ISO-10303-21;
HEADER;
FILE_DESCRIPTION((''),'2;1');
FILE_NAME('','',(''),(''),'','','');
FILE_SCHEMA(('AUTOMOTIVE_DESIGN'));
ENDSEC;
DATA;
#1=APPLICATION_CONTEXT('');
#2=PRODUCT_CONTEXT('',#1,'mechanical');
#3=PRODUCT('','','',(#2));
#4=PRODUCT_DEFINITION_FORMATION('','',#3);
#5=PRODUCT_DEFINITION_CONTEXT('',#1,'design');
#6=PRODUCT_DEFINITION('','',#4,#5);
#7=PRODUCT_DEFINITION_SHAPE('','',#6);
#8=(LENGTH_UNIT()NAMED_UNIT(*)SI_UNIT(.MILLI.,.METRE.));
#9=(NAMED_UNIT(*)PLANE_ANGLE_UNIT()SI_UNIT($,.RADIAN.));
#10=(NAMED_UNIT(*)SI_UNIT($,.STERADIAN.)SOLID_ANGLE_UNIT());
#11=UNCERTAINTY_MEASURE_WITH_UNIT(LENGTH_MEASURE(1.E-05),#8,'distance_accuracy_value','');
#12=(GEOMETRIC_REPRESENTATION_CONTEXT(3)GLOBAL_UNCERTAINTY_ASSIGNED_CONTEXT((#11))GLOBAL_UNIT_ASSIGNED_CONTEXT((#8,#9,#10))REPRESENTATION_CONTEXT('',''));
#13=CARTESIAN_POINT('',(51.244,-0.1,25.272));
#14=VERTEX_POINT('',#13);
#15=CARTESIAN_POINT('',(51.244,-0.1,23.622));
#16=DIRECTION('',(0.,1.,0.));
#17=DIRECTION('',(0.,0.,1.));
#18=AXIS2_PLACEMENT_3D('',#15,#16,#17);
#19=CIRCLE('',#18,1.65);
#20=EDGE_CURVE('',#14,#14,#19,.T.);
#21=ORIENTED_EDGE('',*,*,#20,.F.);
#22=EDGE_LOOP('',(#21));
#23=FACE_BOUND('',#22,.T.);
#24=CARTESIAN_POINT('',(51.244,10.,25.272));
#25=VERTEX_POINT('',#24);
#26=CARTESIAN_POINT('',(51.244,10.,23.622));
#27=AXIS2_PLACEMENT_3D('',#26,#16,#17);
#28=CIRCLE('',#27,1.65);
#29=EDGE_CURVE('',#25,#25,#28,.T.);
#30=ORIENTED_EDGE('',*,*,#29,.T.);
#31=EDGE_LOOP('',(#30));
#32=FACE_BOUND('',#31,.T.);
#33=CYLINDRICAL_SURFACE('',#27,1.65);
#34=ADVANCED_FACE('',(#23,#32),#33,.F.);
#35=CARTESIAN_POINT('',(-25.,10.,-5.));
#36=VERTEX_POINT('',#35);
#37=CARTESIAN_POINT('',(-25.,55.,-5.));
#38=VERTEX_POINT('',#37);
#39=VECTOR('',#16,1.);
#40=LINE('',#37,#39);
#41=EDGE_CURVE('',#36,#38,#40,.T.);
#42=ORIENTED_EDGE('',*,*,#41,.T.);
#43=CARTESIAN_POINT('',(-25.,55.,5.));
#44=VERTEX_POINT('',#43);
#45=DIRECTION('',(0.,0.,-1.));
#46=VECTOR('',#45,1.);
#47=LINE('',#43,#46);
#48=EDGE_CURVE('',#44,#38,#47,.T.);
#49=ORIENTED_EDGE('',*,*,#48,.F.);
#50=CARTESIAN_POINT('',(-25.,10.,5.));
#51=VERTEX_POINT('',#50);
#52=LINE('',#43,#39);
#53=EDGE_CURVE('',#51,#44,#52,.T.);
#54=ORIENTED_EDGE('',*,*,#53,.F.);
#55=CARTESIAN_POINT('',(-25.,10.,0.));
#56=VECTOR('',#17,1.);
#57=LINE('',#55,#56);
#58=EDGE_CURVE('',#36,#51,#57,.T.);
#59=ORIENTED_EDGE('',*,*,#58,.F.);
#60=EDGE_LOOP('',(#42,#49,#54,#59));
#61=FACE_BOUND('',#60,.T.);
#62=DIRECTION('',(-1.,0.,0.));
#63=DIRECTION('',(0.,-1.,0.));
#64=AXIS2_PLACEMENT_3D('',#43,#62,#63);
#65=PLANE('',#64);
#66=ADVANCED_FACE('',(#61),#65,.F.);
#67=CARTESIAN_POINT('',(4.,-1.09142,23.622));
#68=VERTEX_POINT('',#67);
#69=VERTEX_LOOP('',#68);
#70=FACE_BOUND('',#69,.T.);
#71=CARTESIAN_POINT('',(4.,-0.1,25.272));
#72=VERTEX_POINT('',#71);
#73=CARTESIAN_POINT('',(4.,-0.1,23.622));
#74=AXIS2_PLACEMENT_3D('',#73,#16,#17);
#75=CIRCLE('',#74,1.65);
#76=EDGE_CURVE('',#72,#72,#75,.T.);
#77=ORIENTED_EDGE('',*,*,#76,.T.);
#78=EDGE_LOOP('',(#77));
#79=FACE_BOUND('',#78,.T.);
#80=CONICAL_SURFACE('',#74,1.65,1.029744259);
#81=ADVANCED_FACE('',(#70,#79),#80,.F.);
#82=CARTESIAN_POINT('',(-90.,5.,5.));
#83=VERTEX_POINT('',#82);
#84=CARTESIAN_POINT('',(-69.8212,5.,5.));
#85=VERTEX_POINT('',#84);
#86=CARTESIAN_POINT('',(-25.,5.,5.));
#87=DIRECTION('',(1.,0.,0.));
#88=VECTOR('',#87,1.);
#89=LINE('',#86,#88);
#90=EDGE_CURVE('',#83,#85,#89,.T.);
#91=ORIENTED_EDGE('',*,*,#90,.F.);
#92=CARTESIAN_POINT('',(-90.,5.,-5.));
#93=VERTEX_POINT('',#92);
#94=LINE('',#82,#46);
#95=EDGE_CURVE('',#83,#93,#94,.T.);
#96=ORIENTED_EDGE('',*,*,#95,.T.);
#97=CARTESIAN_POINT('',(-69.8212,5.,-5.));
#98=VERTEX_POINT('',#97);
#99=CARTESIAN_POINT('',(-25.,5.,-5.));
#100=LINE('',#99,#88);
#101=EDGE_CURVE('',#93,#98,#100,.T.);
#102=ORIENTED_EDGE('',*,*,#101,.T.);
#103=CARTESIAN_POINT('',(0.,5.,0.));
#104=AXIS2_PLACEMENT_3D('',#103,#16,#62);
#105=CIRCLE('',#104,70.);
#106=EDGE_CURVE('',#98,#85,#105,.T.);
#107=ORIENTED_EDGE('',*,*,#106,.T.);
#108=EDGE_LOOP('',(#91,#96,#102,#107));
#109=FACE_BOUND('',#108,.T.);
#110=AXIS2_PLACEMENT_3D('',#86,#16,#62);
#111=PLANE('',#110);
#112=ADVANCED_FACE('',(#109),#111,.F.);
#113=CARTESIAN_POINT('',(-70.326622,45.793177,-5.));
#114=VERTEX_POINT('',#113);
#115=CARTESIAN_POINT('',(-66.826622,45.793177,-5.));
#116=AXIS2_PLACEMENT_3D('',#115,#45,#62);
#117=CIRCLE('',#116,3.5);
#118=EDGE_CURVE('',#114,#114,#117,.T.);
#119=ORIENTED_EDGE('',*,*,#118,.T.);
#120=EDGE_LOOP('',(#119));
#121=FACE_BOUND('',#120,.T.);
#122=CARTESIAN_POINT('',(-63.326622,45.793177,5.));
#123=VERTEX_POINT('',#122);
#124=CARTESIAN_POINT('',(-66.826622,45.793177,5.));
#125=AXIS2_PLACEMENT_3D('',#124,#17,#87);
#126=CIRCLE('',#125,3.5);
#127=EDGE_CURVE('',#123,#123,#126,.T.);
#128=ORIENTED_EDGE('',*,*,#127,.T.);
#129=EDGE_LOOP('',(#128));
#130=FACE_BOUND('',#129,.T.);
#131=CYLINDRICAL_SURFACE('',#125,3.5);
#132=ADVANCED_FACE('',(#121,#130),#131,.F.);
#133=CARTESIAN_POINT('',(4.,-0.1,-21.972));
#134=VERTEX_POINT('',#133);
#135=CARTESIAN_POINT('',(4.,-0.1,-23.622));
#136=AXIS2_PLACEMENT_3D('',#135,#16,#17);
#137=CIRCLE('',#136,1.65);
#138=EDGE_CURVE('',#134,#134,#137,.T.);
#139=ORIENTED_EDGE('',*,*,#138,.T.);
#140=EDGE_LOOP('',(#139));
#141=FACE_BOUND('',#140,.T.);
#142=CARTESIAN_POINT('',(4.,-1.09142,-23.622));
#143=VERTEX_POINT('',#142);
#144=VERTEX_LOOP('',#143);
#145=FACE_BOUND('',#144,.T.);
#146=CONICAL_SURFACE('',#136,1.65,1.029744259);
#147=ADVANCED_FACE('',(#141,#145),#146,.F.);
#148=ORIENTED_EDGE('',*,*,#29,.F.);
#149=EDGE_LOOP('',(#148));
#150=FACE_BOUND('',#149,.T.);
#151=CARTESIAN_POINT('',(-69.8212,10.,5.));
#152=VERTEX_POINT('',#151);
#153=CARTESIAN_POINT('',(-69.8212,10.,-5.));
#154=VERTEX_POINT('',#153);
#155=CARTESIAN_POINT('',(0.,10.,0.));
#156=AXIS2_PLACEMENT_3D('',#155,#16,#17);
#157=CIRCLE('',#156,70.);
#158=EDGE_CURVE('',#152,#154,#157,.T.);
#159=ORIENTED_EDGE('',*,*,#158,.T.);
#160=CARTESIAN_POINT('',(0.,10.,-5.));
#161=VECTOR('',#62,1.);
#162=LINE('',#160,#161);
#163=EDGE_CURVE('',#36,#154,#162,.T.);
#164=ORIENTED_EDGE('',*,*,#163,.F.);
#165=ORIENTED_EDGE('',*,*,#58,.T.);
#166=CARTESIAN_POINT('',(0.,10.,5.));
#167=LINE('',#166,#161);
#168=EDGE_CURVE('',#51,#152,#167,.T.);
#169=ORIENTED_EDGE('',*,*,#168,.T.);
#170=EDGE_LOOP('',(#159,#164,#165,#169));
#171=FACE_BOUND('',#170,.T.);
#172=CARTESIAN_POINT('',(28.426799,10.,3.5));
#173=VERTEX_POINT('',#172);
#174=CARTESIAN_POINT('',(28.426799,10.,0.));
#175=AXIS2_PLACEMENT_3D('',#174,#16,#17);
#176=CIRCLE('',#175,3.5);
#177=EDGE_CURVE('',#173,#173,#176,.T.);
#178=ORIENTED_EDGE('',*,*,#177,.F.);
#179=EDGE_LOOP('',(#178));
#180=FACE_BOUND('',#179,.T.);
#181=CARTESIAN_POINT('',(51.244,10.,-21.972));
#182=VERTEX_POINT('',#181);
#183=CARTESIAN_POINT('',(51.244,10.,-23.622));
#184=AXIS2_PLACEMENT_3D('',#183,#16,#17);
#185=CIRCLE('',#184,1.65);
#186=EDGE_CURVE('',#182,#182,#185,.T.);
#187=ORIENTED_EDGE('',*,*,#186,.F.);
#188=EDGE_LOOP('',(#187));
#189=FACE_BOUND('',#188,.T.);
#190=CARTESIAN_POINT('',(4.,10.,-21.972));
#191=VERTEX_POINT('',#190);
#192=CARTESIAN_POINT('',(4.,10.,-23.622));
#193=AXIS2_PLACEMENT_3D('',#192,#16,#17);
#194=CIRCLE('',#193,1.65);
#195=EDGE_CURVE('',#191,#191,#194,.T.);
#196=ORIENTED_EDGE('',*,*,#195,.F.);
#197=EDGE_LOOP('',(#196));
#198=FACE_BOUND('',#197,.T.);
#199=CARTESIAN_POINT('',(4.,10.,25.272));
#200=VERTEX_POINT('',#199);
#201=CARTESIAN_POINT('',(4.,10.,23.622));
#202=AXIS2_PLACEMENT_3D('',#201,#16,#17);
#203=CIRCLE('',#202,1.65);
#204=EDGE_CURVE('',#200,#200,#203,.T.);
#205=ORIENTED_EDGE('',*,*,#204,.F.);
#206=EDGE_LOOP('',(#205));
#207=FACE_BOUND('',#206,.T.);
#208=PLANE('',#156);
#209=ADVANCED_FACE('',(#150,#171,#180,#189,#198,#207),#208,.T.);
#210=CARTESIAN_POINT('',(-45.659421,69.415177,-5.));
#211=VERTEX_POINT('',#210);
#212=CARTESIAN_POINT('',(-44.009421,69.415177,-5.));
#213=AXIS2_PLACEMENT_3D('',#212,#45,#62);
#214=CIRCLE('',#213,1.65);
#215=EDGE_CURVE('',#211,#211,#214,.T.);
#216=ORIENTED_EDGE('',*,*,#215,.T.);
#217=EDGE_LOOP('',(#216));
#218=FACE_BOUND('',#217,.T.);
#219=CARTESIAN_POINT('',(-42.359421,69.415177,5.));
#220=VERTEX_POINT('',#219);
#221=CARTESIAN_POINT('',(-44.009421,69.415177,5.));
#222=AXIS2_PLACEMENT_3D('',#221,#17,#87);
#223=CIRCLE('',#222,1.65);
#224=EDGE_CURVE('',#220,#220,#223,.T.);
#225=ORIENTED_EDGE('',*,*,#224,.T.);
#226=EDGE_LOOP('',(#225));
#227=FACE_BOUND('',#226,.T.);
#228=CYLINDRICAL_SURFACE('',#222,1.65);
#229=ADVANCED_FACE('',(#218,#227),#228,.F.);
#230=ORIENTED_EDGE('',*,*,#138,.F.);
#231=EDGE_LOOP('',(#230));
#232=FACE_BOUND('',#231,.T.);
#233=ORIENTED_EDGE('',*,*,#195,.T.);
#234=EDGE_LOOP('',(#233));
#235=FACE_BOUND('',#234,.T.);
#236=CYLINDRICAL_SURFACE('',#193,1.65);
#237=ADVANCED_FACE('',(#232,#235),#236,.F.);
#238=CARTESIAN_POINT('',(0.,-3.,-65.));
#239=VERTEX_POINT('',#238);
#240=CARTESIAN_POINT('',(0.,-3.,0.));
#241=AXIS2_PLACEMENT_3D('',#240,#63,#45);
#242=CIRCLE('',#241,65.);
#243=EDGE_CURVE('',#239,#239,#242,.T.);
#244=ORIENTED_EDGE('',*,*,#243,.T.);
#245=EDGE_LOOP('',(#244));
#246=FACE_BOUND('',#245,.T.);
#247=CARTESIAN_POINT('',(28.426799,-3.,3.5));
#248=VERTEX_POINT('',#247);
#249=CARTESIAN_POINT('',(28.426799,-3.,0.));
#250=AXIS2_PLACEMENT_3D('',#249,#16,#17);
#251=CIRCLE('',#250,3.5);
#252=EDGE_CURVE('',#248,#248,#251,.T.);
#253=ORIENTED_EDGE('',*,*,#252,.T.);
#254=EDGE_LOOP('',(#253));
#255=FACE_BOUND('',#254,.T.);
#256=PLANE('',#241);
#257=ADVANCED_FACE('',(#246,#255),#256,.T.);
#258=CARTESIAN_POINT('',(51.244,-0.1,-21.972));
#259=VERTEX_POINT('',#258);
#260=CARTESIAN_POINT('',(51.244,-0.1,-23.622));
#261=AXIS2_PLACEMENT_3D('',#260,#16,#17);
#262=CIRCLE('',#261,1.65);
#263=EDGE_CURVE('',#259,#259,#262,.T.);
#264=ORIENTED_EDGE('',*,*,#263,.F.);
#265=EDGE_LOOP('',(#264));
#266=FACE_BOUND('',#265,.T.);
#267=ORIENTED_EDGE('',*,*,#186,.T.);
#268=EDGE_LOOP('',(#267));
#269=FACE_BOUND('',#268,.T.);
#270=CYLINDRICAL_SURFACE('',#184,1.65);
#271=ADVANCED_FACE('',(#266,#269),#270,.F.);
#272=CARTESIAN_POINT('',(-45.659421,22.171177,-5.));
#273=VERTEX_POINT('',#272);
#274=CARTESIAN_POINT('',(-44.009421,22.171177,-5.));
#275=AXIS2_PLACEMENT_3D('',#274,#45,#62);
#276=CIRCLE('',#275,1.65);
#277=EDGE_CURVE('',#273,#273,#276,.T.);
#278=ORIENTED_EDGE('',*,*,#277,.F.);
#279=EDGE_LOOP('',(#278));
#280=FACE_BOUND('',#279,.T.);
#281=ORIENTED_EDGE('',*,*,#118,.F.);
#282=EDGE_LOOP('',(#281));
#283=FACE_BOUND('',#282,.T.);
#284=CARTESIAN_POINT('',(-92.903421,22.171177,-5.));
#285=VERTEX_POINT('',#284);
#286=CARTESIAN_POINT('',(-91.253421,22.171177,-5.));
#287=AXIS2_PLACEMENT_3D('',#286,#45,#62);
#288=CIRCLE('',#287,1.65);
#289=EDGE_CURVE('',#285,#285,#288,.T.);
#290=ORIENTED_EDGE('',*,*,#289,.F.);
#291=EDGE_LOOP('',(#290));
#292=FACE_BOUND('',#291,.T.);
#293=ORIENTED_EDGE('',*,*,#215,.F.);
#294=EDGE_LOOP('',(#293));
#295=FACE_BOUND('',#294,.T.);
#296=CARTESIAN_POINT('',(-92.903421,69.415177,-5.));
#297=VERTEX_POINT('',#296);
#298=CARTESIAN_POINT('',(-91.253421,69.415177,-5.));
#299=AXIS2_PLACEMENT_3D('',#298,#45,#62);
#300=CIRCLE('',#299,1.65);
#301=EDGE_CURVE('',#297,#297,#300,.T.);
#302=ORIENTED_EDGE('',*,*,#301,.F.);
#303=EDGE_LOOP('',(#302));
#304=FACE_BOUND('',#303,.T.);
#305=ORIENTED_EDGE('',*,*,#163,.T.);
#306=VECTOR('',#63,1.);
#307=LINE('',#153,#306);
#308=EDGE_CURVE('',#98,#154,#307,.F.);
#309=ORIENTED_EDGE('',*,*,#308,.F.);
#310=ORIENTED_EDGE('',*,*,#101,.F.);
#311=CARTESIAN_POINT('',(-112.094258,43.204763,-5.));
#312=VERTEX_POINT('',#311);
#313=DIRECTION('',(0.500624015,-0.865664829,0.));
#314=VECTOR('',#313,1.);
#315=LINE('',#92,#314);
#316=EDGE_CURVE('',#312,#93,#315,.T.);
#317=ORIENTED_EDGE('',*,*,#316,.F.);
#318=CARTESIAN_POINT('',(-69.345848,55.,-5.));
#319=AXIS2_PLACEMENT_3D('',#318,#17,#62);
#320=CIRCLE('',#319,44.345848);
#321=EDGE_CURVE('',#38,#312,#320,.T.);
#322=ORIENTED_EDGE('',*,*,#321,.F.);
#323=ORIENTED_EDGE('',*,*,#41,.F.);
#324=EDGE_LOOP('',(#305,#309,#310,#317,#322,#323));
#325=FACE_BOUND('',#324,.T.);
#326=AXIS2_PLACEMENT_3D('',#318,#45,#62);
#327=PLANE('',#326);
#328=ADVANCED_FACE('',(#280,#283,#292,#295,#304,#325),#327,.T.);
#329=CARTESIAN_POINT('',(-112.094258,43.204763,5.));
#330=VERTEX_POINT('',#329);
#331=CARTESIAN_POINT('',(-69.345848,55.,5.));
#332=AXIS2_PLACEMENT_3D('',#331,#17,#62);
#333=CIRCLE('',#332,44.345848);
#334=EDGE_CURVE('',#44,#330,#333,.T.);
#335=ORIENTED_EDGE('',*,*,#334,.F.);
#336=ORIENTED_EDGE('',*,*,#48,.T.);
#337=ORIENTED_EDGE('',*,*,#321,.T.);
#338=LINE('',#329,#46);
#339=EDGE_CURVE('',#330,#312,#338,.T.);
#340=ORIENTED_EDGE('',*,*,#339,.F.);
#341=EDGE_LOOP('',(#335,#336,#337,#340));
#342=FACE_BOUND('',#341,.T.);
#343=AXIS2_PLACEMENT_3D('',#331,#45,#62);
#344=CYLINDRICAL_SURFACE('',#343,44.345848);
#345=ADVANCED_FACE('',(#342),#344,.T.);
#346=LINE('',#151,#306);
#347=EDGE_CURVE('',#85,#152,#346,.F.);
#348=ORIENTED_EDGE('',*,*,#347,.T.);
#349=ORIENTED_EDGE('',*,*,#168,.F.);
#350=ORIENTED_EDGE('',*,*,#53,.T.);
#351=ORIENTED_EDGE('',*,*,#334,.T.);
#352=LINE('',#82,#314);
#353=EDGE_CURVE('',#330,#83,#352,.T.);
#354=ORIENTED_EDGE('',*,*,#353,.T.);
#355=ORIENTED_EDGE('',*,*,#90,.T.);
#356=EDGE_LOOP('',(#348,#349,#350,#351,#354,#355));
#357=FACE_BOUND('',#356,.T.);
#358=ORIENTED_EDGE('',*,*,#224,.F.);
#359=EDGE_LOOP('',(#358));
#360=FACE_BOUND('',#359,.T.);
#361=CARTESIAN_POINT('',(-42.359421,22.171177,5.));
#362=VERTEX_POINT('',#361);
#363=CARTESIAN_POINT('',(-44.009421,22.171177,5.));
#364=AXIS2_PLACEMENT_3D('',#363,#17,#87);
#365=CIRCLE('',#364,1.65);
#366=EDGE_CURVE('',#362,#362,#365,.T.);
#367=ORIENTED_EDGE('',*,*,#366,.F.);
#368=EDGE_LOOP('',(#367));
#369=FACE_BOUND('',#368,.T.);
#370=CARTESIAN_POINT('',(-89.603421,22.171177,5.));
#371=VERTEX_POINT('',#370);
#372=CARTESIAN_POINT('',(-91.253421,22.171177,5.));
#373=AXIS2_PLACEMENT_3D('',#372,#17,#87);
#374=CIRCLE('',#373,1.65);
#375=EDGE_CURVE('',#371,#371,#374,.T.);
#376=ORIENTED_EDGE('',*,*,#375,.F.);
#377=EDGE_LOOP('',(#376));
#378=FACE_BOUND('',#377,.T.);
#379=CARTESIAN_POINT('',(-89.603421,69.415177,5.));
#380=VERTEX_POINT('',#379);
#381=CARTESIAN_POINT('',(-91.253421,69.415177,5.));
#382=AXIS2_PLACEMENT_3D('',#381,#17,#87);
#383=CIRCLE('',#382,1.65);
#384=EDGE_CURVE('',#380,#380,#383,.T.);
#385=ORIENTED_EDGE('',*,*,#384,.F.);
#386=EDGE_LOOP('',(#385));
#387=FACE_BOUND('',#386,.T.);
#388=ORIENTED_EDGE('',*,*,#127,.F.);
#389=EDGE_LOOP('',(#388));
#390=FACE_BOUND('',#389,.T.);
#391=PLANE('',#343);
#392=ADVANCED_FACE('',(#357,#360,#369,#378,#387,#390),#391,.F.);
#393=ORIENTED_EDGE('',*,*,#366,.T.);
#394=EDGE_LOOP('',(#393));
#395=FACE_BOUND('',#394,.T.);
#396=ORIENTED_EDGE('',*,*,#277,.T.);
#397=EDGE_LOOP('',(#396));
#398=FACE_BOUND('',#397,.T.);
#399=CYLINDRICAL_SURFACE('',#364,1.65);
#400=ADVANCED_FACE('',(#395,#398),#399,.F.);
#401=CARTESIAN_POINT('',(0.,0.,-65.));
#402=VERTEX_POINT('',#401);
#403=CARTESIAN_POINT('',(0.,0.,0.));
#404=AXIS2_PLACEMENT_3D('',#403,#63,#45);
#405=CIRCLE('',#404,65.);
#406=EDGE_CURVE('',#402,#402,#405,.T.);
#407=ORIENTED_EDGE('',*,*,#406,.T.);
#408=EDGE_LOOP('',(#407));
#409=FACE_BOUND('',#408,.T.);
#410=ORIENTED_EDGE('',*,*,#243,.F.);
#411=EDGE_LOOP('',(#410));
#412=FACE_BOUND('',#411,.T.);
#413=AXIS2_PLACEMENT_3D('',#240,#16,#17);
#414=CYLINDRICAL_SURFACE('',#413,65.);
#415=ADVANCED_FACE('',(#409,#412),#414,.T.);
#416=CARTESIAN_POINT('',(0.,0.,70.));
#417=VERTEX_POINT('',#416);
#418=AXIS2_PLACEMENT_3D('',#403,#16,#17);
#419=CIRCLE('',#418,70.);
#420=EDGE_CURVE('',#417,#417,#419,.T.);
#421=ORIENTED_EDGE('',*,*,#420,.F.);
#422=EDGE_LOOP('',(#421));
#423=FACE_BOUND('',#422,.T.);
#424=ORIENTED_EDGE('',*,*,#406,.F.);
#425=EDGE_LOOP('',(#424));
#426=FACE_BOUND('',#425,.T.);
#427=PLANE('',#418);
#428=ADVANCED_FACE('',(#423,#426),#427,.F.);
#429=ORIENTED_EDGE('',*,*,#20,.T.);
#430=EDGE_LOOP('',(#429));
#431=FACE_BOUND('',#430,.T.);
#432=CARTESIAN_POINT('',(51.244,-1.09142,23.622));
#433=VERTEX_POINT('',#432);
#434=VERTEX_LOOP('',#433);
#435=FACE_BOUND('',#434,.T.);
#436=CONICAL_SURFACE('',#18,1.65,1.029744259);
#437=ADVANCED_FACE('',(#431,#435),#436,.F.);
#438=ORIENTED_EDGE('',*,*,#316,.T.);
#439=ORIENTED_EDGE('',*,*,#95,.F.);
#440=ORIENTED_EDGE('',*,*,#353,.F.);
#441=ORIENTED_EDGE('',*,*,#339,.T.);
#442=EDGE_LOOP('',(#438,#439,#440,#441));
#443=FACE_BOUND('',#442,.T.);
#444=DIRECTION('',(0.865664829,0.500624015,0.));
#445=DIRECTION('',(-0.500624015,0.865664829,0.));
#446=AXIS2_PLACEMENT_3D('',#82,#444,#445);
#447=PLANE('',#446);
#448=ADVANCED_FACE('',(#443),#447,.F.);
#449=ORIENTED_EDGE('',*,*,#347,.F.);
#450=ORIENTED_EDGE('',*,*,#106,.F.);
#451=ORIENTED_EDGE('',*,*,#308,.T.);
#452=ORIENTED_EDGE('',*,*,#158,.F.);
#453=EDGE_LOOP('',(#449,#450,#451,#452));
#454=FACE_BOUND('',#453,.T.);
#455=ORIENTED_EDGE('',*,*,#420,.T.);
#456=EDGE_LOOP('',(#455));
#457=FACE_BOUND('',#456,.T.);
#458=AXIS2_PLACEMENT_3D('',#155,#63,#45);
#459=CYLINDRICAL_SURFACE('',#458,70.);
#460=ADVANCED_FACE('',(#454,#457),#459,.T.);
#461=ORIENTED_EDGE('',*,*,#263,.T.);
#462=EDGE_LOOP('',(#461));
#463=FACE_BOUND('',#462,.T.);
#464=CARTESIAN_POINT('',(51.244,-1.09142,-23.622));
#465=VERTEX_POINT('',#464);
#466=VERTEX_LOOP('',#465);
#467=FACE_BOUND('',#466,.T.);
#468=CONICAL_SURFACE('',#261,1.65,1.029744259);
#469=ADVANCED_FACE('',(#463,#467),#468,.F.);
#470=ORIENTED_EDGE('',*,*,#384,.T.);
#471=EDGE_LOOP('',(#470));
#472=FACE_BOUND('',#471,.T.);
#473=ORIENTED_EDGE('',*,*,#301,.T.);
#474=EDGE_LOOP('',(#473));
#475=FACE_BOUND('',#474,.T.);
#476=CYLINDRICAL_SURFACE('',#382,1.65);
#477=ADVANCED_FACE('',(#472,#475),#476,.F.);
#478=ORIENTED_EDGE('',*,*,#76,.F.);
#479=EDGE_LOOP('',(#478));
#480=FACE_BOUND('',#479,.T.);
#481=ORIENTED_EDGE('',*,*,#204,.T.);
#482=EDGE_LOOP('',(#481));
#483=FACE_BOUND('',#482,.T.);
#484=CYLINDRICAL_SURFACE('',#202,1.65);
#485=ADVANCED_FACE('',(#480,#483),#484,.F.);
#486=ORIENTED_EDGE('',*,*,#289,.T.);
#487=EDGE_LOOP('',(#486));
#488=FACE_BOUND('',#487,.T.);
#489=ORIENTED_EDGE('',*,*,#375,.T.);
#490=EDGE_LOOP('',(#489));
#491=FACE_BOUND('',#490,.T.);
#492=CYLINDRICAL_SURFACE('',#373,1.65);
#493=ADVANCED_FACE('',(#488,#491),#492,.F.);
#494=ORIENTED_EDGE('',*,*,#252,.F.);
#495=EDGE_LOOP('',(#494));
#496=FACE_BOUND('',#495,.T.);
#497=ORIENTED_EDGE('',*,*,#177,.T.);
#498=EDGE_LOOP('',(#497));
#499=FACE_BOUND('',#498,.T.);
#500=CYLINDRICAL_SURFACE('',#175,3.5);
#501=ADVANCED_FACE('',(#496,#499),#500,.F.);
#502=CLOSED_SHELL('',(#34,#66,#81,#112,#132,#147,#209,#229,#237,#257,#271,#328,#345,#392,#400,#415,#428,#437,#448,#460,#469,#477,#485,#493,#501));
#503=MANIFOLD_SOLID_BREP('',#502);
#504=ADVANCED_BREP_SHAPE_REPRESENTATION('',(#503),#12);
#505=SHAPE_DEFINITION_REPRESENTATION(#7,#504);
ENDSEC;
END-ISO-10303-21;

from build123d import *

# Parameters (mm, degrees)
SKETCH1_R                 = 70
BOSS_EXTRUDE1_DEPTH       = 10
SKETCH2_R                 = 65
BOSS_EXTRUDE2_DEPTH       = 3
BOSS_EXTRUDE3_DEPTH       = 5
M4X0_7_TAPPED_HOLE1_D     = 3.3
M4X0_7_TAPPED_HOLE1_DEPTH = 10.1
M4X0_7_TAPPED_HOLE1_TIP   = 0.991420021
M8X1_0_TAPPED_HOLE1_D     = 7
M4X0_7_TAPPED_HOLE3_D     = 3.3
M4X0_7_TAPPED_HOLE3_DEPTH = 10.1
M4X0_7_TAPPED_HOLE3_TIP   = 0.991420021
M8X1_0_TAPPED_HOLE2_D     = 7


with BuildPart() as part:
    # Sketch1 → Boss-Extrude1 (new body)
    with BuildSketch(Plane(origin=(0, 0, 0), x_dir=(1, 0, 0), z_dir=(0, 1, 0))):
        Circle(SKETCH1_R)
    extrude(amount=BOSS_EXTRUDE1_DEPTH)

    # Sketch2 → Boss-Extrude2 (add)
    with BuildSketch(Plane.XZ):
        Circle(SKETCH2_R)
    extrude(amount=BOSS_EXTRUDE2_DEPTH)

    # Sketch3 → Boss-Extrude3 (add, symmetric)
    with BuildSketch(Plane.XY):
        with BuildLine():
            Line((-25, 55), (-25, 5))
            Line((-25, 5), (-90, 5))
            Line((-90, 5), (-112.094257771, 43.204763027))
            ThreePointArc((-112.094257771, 43.204763027), (-75.29730578, 98.944673602), (-25, 55))
        make_face()
    extrude(amount=BOSS_EXTRUDE3_DEPTH, both=True)

    # M4x0.7 Tapped Hole1
    with Locations(Plane(origin=(0, 10, 0), x_dir=(1, 0, 0), z_dir=(0, 1, 0))):
        with Locations((4, 23.622), (51.244, 23.622), (51.244, -23.622), (4, -23.622)):
            Hole(M4X0_7_TAPPED_HOLE1_D / 2, depth=M4X0_7_TAPPED_HOLE1_DEPTH)
            with Locations((0, 0, -(M4X0_7_TAPPED_HOLE1_DEPTH + M4X0_7_TAPPED_HOLE1_TIP / 2))):  # 118° drill point
                Cone(0, M4X0_7_TAPPED_HOLE1_D / 2, M4X0_7_TAPPED_HOLE1_TIP, mode=Mode.SUBTRACT)

    # M8x1.0 Tapped Hole1 (through all)
    with Locations(Plane(origin=(0, 10, 0), x_dir=(1, 0, 0), z_dir=(0, 1, 0))):
        with Locations((28.426798857, 0)):
            Hole(M8X1_0_TAPPED_HOLE1_D / 2)

    # M4x0.7 Tapped Hole3
    with Locations(Plane(origin=(-95.25342131, 45.793176502, 5), x_dir=(1, 0, 0), z_dir=(0, 0, 1))):
        with Locations((4, 23.622), (51.244, 23.622), (51.244, -23.622), (4, -23.622)):
            Hole(M4X0_7_TAPPED_HOLE3_D / 2, depth=M4X0_7_TAPPED_HOLE3_DEPTH)
            with Locations((0, 0, -(M4X0_7_TAPPED_HOLE3_DEPTH + M4X0_7_TAPPED_HOLE3_TIP / 2))):  # 118° drill point
                Cone(0, M4X0_7_TAPPED_HOLE3_D / 2, M4X0_7_TAPPED_HOLE3_TIP, mode=Mode.SUBTRACT)

    # M8x1.0 Tapped Hole2 (through all)
    with Locations(Plane(origin=(-95.25342131, 45.793176502, 5), x_dir=(1, 0, 0), z_dir=(0, 0, 1))):
        with Locations((28.426798857, 0)):
            Hole(M8X1_0_TAPPED_HOLE2_D / 2)


solid = part.part
